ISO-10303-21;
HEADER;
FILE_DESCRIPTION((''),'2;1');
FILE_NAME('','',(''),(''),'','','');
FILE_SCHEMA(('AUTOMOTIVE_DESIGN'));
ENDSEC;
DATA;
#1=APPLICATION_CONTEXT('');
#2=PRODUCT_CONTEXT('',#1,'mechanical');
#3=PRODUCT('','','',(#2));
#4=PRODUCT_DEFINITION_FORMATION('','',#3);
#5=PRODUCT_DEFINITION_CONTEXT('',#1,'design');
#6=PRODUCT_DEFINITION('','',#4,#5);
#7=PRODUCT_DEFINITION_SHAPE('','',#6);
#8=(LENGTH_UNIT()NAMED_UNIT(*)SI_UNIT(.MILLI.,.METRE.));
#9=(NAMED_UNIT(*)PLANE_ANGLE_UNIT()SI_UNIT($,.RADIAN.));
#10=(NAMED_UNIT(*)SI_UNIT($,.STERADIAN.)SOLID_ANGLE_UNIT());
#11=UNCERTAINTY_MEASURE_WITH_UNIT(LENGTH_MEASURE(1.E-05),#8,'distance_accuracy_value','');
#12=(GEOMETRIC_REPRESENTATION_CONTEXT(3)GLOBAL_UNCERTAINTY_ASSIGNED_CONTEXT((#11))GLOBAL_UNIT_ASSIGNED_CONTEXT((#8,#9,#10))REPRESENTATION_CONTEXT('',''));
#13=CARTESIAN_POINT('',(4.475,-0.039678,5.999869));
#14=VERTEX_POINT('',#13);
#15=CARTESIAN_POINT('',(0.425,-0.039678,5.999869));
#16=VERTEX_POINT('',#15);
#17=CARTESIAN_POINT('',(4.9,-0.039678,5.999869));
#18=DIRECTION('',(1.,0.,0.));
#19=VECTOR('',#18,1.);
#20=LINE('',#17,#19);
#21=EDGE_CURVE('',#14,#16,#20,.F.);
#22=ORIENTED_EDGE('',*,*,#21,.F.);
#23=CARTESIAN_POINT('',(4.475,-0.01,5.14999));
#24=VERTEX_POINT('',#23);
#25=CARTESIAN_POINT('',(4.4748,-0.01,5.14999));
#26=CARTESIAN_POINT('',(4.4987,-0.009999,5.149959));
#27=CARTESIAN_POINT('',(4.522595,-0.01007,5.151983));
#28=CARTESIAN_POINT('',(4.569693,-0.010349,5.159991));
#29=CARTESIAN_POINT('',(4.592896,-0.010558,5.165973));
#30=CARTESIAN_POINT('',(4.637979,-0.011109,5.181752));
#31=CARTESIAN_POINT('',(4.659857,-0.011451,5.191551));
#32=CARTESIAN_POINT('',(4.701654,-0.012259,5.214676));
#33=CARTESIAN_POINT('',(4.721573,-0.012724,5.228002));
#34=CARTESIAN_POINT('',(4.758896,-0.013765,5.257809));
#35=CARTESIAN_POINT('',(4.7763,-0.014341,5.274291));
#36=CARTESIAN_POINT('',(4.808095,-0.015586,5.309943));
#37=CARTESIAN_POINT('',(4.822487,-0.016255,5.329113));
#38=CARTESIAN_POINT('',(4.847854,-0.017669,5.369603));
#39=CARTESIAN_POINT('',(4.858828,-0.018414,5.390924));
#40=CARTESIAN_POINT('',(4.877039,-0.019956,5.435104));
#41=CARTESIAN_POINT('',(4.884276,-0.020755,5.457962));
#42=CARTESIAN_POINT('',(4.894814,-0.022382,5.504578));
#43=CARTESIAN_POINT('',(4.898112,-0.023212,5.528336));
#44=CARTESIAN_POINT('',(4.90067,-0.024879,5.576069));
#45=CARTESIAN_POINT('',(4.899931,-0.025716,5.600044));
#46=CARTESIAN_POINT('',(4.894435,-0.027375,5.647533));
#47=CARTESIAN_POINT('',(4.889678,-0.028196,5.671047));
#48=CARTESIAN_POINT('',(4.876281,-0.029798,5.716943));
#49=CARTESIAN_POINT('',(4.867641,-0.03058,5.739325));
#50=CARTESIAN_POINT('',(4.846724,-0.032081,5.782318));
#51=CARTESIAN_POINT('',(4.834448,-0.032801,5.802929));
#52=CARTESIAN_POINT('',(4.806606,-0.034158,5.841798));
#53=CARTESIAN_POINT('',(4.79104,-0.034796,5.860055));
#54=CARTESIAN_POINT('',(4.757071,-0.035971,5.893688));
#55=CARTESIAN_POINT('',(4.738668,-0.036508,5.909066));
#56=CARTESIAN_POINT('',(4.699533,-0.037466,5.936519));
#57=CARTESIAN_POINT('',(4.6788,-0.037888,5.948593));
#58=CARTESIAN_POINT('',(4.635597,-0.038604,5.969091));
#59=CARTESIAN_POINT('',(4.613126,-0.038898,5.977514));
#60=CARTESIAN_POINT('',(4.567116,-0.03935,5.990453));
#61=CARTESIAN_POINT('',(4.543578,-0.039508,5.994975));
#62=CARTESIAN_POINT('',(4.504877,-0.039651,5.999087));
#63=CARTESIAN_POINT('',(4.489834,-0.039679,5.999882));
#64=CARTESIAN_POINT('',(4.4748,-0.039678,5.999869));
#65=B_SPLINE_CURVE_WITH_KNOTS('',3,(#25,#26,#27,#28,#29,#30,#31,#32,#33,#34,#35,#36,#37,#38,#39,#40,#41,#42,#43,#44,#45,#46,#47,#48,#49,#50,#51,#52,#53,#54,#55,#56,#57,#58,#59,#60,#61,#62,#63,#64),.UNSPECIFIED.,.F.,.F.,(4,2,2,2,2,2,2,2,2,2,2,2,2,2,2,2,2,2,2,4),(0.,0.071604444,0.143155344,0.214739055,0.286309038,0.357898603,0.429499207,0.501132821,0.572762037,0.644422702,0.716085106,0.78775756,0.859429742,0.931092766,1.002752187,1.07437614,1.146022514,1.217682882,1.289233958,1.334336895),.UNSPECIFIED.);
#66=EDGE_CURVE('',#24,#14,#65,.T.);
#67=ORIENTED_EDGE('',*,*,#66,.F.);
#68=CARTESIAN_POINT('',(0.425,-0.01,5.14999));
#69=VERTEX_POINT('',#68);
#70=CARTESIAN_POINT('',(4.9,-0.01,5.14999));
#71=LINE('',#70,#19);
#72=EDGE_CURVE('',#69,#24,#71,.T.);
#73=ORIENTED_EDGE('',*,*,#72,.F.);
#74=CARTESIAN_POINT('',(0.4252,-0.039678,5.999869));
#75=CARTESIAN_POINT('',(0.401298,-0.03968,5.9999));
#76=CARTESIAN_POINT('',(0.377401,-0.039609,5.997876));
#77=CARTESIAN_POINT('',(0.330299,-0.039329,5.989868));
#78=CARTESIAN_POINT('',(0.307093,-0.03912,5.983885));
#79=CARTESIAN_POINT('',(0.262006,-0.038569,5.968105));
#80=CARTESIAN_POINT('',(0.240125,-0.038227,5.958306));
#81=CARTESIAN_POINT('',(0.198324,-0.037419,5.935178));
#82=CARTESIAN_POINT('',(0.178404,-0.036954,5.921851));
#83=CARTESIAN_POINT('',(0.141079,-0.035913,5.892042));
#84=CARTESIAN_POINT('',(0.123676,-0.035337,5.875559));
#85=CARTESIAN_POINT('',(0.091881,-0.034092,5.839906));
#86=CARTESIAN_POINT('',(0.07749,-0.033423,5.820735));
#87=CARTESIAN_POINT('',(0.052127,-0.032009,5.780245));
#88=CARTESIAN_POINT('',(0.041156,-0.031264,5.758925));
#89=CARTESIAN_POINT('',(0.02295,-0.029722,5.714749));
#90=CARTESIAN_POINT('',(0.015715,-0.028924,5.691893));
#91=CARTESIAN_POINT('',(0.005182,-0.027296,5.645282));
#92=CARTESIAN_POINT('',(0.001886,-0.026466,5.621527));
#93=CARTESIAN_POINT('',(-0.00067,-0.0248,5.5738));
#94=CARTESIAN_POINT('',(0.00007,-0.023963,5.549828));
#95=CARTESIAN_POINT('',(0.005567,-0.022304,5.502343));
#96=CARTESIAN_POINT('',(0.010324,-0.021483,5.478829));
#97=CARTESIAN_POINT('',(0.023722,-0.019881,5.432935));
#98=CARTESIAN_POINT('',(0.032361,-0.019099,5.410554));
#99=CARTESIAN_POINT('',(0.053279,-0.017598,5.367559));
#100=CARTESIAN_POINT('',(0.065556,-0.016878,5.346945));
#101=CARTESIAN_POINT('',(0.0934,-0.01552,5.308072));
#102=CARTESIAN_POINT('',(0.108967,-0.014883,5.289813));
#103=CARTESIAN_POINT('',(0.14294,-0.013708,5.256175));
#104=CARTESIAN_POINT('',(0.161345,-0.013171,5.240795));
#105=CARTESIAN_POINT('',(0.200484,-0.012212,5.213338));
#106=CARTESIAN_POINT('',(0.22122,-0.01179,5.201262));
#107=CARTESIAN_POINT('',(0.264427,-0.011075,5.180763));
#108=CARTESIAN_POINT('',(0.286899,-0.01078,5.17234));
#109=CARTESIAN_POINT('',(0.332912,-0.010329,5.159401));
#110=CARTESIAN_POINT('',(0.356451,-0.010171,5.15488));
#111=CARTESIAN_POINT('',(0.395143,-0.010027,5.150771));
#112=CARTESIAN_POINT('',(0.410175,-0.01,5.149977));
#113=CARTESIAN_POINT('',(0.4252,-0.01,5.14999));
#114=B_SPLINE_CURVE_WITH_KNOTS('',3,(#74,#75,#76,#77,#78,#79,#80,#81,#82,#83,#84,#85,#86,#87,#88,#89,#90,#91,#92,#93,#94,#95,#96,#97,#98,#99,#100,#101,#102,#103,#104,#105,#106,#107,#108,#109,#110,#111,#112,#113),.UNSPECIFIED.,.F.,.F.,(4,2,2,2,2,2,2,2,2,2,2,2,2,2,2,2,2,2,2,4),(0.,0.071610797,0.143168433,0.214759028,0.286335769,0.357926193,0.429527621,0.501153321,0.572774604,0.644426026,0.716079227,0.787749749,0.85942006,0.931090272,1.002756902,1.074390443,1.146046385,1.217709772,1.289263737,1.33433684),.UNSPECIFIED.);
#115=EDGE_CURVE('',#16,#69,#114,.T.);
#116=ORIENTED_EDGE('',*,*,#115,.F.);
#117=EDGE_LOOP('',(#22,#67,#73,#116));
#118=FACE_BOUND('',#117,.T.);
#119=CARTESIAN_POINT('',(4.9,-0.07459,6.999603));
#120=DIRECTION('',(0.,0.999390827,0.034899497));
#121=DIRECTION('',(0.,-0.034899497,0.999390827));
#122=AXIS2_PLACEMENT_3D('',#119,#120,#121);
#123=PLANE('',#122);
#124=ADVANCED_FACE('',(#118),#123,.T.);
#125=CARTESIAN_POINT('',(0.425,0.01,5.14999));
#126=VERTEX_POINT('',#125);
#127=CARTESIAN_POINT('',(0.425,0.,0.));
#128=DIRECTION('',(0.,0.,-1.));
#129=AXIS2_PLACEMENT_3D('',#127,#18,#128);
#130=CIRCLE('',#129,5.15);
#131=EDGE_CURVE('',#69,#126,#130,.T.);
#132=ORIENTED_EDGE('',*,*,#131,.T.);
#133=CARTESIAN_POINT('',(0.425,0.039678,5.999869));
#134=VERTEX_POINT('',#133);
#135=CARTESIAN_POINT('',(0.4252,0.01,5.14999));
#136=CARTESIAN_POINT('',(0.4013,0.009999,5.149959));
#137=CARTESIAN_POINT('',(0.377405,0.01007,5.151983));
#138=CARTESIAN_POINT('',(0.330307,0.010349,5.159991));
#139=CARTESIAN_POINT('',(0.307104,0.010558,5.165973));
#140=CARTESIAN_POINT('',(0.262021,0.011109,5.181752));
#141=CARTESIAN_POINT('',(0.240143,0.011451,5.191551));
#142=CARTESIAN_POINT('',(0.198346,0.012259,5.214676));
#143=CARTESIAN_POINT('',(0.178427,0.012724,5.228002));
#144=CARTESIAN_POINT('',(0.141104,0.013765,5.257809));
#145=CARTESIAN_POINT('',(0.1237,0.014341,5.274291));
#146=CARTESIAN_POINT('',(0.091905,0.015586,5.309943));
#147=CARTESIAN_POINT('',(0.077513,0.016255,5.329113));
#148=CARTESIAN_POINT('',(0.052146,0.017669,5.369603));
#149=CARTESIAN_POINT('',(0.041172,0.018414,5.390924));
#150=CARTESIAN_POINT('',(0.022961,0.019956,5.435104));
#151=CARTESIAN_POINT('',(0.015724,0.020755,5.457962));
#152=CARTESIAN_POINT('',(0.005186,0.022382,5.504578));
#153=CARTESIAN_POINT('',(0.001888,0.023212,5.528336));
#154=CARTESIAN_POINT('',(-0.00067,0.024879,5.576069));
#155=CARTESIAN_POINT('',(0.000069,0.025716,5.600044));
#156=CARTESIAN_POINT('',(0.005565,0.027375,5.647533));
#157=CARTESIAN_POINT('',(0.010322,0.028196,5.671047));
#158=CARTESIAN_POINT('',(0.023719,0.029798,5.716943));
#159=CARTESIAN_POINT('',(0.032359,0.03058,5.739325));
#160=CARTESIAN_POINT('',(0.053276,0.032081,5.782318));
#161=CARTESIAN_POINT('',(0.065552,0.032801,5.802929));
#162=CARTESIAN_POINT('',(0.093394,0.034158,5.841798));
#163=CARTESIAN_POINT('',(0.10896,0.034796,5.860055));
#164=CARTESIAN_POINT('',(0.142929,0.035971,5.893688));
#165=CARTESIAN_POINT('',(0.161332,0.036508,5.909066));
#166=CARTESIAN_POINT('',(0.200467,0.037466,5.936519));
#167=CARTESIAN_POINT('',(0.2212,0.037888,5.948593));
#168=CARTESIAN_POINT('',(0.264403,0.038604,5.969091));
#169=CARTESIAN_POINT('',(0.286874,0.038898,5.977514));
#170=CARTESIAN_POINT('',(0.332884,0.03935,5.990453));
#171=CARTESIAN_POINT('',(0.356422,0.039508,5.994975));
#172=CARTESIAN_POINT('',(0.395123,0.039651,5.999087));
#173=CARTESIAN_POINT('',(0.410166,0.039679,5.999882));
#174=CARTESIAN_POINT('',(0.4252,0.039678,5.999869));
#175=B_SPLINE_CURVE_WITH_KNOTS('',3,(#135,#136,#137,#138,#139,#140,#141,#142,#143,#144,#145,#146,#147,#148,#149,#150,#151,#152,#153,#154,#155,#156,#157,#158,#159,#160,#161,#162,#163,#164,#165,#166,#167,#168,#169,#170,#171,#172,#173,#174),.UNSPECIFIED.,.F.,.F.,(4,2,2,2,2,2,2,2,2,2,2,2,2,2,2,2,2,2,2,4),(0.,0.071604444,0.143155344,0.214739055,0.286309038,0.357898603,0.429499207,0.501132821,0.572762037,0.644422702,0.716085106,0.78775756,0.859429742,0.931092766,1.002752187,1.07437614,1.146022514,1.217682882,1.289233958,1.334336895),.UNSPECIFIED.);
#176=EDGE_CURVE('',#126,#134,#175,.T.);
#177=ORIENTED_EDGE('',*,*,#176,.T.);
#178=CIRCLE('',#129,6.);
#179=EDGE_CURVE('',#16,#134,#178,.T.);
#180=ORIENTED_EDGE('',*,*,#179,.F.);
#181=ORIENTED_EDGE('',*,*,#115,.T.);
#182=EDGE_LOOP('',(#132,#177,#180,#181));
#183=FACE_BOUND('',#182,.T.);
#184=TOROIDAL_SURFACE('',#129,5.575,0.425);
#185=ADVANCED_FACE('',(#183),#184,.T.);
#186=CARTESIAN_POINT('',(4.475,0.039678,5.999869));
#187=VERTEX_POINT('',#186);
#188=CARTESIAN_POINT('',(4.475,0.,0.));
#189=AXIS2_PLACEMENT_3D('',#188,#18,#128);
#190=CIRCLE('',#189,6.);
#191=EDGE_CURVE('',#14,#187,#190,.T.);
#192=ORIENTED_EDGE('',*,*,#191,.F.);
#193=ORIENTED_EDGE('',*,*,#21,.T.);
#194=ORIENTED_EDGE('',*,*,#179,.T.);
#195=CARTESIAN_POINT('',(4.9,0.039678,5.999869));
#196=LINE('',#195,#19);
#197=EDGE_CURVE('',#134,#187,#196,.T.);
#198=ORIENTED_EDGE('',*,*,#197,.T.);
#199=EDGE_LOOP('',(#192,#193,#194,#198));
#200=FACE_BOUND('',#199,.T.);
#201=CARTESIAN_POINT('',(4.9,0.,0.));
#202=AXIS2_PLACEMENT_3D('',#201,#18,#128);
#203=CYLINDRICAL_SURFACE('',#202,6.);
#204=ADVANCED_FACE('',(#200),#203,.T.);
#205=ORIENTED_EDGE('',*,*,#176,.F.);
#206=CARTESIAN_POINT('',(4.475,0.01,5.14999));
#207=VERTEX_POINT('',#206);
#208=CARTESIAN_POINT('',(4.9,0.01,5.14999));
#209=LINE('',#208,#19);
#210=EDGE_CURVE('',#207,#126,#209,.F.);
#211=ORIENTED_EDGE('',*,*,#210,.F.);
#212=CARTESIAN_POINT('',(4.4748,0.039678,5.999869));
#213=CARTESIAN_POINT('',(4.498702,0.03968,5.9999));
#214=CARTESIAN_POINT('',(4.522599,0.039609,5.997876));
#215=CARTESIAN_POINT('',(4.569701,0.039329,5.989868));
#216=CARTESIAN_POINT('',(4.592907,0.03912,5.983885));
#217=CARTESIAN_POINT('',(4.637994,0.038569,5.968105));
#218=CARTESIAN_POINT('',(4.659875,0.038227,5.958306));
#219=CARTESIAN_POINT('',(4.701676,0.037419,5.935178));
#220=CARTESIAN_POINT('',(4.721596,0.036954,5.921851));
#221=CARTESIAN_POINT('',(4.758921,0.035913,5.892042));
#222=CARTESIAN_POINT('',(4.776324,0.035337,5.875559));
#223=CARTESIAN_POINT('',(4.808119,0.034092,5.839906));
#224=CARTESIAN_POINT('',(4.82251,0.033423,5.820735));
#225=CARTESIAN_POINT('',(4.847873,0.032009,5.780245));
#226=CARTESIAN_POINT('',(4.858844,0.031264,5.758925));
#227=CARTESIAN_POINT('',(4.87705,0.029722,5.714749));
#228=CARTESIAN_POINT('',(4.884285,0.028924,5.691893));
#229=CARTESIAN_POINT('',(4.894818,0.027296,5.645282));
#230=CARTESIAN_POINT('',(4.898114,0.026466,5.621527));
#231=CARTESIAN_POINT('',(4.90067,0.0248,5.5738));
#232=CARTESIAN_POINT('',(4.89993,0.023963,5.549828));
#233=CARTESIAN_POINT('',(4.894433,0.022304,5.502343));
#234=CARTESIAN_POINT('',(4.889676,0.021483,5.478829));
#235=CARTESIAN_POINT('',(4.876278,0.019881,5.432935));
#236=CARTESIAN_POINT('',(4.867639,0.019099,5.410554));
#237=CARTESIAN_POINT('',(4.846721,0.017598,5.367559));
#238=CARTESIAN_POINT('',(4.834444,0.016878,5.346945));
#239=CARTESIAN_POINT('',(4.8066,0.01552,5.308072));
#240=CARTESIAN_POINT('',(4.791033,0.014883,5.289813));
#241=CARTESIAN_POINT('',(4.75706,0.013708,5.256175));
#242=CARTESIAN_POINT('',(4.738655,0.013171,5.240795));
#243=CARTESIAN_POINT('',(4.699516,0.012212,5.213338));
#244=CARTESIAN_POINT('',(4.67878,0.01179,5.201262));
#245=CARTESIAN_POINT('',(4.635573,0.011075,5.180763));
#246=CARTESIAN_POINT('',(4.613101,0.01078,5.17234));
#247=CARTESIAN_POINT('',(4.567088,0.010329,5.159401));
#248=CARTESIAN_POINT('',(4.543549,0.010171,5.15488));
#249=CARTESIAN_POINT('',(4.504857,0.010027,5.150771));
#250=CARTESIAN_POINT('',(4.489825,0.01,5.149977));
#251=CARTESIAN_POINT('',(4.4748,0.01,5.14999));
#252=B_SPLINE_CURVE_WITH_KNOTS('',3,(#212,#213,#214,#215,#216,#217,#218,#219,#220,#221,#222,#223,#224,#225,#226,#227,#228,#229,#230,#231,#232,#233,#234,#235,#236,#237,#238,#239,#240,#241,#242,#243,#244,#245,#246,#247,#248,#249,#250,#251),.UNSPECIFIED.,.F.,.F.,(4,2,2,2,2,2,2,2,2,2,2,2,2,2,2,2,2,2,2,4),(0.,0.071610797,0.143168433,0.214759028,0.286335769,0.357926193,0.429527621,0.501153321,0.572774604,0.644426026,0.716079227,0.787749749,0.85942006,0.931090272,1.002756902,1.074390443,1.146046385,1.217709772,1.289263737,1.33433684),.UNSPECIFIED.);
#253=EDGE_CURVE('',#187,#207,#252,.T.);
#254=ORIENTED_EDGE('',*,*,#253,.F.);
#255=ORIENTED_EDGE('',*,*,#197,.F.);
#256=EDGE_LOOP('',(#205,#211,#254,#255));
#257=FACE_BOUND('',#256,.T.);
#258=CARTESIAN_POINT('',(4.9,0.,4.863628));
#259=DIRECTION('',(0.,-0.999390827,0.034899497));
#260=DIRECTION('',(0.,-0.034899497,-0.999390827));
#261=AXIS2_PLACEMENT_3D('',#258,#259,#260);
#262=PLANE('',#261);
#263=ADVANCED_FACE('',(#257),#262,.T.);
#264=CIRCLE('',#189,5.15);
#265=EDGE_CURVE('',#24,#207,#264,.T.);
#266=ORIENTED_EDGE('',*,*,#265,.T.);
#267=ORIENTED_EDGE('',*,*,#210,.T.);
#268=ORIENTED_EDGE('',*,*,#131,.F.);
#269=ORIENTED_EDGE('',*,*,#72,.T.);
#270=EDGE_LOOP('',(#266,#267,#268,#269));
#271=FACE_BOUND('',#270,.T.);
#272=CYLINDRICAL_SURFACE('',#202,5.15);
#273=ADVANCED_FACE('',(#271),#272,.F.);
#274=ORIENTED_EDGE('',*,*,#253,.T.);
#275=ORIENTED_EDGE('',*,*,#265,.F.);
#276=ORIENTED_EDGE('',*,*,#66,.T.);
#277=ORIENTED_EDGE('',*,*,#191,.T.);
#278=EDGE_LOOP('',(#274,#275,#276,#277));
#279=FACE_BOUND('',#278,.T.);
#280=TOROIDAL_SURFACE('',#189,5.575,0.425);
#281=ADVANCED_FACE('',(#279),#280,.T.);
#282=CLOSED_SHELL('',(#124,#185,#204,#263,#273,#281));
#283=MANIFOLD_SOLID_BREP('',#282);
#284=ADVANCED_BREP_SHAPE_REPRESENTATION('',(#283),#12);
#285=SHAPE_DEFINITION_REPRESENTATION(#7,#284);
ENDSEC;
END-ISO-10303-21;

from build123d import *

# Parameters (mm, degrees)
CUT_EXTRUDE1_DEPTH = 4.9


with BuildPart() as part:
    # Sketch1 → Revolve1 (revolve)
    with BuildSketch(Plane.XY):
        with BuildLine():
            Line((0.425, 5.15), (4.475, 5.15))
            ThreePointArc((4.475, 5.15), (4.9, 5.575), (4.475, 6))
            Line((4.475, 6), (0.425, 6))
            ThreePointArc((0.425, 6), (0, 5.575), (0.425, 5.15))
        make_face()
    revolve(axis=Axis((4.9, 0, 0), (-1, 0, 0)))

    # Sketch2 → Cut-Extrude1 (cut)
    with BuildSketch(Plane(origin=(0, 0, 0), x_dir=(0, 0, -1), z_dir=(1, 0, 0))):
        with BuildLine():
            Line((-6.999602585, -0.074589885), (-4.863627758, 0))
            Line((-4.863627758, 0), (-6.999602585, 0.074589885))
            ThreePointArc((-6.999602585, 0.074589885), (-7, 0), (-6.999602585, -0.074589885))
        make_face()
    extrude(amount=CUT_EXTRUDE1_DEPTH, mode=Mode.SUBTRACT)


solid = part.part
